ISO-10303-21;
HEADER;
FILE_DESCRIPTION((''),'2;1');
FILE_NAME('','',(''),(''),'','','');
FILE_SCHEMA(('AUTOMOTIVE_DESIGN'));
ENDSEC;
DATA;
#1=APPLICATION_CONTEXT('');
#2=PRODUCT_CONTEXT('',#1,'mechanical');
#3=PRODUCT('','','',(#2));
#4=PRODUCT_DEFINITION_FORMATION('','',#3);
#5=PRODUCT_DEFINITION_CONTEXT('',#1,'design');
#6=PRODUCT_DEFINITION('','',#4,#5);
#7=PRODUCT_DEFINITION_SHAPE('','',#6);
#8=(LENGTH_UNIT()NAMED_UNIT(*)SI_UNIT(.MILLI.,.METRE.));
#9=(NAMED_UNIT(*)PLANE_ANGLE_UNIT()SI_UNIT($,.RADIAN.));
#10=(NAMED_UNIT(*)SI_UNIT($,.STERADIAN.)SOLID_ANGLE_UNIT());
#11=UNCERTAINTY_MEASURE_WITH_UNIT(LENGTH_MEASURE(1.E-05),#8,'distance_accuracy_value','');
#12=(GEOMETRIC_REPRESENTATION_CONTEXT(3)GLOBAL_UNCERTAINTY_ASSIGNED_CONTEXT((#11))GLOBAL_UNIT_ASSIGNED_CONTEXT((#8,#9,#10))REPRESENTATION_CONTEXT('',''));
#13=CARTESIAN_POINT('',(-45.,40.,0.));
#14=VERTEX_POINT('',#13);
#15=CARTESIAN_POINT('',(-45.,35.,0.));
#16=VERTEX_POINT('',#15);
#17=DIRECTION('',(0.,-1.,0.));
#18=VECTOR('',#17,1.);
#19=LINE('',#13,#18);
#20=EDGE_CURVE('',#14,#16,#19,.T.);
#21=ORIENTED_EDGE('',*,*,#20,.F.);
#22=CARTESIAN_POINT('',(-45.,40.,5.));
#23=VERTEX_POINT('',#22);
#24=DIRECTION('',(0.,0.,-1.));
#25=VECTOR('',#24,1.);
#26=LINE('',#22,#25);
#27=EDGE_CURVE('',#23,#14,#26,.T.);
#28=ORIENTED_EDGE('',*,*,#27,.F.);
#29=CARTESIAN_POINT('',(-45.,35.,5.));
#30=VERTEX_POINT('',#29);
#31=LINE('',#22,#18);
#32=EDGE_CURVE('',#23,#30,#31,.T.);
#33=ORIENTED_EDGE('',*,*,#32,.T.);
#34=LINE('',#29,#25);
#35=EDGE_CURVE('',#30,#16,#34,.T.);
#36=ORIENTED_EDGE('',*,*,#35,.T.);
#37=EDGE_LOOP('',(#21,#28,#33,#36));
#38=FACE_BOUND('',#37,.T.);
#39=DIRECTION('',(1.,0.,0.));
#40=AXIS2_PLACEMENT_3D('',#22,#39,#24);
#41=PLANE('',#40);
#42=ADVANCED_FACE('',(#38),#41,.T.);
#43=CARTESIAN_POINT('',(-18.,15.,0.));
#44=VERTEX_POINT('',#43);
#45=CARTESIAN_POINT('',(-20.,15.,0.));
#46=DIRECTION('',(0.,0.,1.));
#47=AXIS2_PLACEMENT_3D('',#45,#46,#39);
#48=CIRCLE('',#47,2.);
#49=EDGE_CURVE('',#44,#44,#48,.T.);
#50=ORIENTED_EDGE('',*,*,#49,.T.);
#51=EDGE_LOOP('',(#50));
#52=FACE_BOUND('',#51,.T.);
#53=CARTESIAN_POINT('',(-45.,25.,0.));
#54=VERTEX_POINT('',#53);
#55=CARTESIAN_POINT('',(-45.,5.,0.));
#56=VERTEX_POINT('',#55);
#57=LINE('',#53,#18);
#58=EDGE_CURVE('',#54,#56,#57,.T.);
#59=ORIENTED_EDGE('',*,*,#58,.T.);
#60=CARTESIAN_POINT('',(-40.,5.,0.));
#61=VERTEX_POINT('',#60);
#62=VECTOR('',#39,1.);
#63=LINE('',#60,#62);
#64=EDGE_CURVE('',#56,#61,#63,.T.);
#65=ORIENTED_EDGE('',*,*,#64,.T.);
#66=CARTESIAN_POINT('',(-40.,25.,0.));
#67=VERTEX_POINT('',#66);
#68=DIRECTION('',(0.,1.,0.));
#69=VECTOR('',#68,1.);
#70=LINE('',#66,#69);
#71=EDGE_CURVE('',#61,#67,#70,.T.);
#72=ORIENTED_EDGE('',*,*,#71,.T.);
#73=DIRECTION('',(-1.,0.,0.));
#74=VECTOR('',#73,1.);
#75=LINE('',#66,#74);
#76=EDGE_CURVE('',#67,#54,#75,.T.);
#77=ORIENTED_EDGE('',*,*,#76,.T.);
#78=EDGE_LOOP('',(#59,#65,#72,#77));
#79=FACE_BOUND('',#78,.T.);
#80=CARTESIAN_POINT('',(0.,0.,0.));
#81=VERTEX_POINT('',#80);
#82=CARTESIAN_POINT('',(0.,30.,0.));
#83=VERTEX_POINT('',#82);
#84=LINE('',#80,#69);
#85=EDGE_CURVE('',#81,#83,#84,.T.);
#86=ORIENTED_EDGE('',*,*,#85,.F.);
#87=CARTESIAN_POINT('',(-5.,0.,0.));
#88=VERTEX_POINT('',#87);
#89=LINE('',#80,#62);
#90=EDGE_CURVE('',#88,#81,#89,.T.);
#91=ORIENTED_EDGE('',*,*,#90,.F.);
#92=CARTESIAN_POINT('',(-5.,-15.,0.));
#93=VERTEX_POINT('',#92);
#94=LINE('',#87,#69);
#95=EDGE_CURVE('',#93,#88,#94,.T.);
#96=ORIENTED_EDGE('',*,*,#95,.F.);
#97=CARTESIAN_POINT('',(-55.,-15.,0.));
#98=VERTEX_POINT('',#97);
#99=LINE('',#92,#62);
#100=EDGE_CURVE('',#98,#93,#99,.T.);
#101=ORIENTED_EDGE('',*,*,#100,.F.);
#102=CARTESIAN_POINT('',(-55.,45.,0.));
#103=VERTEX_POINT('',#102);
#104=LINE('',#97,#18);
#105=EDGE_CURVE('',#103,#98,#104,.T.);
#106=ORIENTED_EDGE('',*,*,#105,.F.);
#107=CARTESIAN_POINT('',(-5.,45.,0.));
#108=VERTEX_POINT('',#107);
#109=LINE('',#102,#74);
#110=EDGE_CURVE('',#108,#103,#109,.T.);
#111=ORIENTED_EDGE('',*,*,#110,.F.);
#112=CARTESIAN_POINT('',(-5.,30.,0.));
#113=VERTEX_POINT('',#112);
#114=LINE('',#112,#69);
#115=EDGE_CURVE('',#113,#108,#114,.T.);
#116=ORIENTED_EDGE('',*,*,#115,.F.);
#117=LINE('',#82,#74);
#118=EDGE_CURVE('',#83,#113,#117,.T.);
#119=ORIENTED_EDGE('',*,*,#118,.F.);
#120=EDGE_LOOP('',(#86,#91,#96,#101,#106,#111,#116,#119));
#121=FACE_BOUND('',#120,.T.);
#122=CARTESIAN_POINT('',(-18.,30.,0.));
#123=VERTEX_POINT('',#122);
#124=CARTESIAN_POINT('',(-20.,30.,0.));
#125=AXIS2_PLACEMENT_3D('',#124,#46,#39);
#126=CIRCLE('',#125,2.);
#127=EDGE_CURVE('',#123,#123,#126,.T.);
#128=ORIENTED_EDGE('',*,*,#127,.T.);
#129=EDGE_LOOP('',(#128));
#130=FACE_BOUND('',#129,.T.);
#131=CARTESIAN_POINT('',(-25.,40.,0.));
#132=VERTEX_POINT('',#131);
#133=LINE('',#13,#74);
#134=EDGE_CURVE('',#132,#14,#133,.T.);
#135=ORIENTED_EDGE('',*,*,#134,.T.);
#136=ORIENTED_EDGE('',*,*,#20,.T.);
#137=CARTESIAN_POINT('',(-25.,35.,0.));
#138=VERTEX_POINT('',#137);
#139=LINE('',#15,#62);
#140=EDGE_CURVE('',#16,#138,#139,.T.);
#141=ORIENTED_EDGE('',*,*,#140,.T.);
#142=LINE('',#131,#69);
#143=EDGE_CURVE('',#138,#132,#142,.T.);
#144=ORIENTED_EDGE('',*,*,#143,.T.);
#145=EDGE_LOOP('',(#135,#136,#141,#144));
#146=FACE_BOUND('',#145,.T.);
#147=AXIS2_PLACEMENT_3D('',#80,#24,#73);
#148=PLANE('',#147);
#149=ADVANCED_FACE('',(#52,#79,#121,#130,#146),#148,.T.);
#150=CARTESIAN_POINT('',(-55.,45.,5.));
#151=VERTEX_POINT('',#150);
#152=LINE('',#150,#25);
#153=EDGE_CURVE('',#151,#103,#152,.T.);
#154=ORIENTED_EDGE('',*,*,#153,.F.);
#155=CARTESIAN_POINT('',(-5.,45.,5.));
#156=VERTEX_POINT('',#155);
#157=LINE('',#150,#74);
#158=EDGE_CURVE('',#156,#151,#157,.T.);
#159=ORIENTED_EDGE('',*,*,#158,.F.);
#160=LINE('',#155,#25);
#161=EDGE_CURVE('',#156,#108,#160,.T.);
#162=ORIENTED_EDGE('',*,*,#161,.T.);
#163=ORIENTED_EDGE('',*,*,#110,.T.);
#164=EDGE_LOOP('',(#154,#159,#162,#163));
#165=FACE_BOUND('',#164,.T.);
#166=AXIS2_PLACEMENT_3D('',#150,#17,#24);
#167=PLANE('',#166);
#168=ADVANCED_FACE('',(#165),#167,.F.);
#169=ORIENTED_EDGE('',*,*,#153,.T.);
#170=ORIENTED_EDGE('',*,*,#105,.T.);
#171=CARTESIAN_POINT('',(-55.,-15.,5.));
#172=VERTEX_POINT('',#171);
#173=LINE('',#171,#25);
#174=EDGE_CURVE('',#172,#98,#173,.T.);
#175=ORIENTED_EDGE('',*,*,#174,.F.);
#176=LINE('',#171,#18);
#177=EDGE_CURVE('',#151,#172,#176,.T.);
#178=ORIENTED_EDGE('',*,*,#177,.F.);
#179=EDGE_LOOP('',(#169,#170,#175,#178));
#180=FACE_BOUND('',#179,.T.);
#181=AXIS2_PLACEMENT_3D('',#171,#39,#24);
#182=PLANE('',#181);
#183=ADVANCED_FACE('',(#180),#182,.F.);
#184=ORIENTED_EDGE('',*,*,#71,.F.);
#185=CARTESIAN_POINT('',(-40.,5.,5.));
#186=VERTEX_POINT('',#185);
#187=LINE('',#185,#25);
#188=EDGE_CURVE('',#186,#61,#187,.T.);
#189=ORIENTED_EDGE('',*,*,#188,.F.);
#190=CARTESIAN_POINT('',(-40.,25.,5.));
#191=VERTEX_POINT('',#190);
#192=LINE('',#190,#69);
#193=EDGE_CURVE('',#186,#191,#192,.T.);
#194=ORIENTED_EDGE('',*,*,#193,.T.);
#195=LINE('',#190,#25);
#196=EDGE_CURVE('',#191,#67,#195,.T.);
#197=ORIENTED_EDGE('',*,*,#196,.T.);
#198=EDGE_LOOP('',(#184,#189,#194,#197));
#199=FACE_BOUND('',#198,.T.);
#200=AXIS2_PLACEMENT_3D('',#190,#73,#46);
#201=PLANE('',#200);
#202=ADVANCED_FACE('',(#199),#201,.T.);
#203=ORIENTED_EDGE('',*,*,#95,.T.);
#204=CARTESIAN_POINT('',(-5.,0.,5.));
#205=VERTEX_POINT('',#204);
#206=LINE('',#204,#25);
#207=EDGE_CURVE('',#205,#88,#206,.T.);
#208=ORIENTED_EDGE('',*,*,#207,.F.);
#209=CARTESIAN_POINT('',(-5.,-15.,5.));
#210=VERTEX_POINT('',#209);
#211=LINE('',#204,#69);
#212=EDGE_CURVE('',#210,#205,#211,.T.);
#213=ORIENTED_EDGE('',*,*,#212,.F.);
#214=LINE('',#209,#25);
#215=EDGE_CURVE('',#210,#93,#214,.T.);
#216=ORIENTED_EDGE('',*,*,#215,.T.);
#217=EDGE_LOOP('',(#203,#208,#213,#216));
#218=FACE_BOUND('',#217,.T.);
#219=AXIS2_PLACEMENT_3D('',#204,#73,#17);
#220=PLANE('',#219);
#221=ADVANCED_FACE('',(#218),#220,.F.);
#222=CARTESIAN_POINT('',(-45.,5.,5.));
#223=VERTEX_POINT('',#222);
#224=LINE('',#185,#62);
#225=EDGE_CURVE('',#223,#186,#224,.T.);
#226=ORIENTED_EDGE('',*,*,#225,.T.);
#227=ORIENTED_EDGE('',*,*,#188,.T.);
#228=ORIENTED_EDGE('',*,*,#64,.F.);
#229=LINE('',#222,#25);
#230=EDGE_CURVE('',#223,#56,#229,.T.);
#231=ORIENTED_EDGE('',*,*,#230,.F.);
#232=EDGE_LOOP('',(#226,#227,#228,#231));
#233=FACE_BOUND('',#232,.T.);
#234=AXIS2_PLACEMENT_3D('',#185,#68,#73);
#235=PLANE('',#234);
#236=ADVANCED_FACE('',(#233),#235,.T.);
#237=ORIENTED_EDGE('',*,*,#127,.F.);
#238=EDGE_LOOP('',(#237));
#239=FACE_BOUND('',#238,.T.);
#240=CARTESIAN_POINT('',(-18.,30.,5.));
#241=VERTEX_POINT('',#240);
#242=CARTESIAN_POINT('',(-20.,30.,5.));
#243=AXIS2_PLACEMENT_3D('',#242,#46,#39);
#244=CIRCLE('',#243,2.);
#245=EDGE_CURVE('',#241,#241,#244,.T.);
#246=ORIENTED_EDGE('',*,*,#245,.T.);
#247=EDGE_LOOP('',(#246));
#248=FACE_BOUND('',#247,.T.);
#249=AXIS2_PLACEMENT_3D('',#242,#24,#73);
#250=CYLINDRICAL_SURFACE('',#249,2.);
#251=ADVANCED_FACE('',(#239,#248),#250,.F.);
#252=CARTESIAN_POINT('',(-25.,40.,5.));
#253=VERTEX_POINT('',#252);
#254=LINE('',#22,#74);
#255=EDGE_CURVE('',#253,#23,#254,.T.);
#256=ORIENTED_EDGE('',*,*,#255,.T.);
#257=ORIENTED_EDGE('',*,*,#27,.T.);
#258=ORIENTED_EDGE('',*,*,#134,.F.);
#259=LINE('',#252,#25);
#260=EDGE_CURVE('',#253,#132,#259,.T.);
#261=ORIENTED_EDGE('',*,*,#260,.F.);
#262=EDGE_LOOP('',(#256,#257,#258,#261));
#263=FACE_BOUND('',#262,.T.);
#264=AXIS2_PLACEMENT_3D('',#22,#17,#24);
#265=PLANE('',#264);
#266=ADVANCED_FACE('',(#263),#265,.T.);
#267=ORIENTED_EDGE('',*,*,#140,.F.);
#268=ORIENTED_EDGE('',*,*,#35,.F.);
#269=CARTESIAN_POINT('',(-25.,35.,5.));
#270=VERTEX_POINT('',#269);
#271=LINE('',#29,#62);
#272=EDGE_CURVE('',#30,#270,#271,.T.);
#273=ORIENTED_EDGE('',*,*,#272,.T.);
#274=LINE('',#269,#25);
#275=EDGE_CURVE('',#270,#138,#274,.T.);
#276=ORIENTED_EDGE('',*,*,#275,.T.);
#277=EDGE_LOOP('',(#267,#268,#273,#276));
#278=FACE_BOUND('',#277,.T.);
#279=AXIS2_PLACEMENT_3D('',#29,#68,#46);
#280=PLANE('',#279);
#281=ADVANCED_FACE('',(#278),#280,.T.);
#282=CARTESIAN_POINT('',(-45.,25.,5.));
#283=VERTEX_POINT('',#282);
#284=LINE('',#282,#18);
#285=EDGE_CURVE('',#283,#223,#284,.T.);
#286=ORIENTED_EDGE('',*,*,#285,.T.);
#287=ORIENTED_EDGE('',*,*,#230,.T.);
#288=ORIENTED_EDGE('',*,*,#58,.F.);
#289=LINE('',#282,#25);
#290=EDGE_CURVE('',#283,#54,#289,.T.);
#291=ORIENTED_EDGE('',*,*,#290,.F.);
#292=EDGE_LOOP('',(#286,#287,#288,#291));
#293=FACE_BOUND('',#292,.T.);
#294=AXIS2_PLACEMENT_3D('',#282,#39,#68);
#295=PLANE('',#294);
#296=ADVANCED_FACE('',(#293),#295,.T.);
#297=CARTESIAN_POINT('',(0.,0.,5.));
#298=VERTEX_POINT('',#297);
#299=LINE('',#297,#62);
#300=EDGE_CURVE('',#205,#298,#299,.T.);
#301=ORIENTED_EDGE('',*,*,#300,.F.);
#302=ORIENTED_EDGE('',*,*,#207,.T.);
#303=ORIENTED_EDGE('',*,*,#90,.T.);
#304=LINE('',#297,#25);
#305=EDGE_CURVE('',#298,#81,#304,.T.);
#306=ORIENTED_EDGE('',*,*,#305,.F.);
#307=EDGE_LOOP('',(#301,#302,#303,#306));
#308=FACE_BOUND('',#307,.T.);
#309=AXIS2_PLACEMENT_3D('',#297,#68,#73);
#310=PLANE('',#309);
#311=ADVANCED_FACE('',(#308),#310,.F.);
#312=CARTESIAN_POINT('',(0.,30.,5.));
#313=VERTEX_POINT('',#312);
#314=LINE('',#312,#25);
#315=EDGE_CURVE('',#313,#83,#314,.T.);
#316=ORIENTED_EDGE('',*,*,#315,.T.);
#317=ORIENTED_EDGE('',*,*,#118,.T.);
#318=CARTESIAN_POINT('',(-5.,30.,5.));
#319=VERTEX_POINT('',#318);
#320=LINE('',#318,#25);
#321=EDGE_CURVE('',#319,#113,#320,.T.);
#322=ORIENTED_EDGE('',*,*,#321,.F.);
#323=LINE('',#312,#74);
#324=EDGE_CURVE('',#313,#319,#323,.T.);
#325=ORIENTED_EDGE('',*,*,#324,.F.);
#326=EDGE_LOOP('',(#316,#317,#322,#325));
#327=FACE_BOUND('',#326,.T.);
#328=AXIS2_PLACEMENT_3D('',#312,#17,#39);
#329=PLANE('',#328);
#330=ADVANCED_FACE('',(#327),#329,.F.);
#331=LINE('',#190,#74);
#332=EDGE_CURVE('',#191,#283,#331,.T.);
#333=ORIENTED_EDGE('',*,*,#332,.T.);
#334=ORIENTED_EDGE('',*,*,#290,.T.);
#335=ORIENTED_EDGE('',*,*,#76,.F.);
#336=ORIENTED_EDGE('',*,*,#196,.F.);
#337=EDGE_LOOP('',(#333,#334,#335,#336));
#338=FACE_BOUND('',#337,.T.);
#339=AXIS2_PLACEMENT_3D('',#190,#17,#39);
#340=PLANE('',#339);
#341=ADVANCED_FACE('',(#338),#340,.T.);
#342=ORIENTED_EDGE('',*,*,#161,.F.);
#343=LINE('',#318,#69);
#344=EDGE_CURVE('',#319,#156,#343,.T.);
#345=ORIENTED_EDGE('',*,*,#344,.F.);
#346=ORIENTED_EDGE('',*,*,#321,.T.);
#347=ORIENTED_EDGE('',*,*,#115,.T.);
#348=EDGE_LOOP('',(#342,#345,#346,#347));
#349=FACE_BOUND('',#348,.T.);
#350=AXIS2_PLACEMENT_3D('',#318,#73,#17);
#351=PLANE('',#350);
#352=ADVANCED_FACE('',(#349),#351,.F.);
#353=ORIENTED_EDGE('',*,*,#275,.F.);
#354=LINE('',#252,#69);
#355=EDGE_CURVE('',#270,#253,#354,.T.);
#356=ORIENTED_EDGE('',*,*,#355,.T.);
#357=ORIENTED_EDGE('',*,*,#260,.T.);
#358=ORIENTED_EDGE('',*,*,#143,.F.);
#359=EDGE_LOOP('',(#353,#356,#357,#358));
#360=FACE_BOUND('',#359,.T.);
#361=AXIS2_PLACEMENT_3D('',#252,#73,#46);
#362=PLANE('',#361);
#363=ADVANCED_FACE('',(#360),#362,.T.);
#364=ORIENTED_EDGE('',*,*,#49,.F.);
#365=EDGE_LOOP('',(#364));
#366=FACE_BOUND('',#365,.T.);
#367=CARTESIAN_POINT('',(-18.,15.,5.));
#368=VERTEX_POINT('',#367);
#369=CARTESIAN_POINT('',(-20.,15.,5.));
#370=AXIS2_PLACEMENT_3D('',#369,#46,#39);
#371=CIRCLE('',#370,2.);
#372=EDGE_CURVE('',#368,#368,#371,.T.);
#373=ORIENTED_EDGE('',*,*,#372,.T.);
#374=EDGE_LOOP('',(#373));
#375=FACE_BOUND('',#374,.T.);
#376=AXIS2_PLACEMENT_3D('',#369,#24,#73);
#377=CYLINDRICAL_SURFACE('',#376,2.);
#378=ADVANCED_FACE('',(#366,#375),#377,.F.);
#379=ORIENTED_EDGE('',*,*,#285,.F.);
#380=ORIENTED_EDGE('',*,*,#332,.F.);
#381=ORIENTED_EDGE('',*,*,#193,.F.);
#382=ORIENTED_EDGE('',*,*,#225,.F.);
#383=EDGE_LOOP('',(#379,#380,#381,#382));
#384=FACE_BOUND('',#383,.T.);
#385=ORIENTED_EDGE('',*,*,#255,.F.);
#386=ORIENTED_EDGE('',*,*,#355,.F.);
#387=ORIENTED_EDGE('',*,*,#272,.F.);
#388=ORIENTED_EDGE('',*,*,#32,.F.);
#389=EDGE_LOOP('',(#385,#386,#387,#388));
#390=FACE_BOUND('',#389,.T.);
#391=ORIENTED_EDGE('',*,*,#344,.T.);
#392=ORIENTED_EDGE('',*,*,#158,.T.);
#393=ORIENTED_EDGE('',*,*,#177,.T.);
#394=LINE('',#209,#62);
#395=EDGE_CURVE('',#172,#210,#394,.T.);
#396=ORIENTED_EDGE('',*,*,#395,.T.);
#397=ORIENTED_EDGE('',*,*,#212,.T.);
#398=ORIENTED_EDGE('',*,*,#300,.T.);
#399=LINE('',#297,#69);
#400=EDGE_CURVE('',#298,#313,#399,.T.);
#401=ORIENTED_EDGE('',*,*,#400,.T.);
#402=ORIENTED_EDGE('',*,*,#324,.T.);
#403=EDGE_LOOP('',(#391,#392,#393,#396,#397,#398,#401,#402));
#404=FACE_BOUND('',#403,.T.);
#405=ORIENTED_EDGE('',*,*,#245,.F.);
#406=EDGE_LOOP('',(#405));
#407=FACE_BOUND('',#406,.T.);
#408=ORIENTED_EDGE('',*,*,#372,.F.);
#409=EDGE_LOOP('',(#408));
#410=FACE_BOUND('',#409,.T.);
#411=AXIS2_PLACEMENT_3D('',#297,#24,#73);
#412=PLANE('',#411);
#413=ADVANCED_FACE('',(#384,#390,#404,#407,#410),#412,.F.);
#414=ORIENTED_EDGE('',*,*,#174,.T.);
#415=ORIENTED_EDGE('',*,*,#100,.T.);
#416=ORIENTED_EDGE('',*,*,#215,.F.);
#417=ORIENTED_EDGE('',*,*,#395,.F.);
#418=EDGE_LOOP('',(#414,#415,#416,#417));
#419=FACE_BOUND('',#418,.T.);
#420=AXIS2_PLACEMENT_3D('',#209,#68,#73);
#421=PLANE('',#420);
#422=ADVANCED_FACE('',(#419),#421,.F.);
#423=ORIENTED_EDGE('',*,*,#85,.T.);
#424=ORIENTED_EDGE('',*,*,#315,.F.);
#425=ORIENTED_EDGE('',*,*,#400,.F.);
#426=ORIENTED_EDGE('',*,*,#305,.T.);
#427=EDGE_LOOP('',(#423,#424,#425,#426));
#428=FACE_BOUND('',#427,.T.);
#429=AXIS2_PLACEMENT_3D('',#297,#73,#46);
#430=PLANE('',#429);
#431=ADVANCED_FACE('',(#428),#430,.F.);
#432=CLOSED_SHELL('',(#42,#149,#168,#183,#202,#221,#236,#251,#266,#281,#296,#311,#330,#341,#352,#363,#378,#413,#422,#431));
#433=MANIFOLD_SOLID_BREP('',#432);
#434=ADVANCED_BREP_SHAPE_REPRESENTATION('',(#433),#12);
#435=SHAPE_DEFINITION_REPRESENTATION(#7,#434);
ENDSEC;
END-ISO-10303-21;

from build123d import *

# Parameters (mm, degrees)
ESQUISSE1_R        = 2
ESQUISSE1_W        = 20
ESQUISSE1_H        = 5
ESQUISSE1_W_2      = 5
ESQUISSE1_H_2      = 20
BOSS_EXTRU_1_DEPTH = 5


with BuildPart() as part:
    # Esquisse1 → Boss.-Extru.1 (new body)
    with BuildSketch(Plane.XY):
        Polygon((-55, 45), (-5, 45), (-5, 30), (0, 30), (0, 0), (-5, 0), (-5, -15), (-55, -15), align=None)
        with Locations((-20, 30)):
            Circle(ESQUISSE1_R, mode=Mode.SUBTRACT)
        with Locations((-20, 15)):
            Circle(ESQUISSE1_R, mode=Mode.SUBTRACT)
        with Locations((-35, 37.5)):
            Rectangle(ESQUISSE1_W, ESQUISSE1_H, mode=Mode.SUBTRACT)
        with Locations((-42.5, 15)):
            Rectangle(ESQUISSE1_W_2, ESQUISSE1_H_2, mode=Mode.SUBTRACT)
    extrude(amount=BOSS_EXTRU_1_DEPTH)


solid = part.part
